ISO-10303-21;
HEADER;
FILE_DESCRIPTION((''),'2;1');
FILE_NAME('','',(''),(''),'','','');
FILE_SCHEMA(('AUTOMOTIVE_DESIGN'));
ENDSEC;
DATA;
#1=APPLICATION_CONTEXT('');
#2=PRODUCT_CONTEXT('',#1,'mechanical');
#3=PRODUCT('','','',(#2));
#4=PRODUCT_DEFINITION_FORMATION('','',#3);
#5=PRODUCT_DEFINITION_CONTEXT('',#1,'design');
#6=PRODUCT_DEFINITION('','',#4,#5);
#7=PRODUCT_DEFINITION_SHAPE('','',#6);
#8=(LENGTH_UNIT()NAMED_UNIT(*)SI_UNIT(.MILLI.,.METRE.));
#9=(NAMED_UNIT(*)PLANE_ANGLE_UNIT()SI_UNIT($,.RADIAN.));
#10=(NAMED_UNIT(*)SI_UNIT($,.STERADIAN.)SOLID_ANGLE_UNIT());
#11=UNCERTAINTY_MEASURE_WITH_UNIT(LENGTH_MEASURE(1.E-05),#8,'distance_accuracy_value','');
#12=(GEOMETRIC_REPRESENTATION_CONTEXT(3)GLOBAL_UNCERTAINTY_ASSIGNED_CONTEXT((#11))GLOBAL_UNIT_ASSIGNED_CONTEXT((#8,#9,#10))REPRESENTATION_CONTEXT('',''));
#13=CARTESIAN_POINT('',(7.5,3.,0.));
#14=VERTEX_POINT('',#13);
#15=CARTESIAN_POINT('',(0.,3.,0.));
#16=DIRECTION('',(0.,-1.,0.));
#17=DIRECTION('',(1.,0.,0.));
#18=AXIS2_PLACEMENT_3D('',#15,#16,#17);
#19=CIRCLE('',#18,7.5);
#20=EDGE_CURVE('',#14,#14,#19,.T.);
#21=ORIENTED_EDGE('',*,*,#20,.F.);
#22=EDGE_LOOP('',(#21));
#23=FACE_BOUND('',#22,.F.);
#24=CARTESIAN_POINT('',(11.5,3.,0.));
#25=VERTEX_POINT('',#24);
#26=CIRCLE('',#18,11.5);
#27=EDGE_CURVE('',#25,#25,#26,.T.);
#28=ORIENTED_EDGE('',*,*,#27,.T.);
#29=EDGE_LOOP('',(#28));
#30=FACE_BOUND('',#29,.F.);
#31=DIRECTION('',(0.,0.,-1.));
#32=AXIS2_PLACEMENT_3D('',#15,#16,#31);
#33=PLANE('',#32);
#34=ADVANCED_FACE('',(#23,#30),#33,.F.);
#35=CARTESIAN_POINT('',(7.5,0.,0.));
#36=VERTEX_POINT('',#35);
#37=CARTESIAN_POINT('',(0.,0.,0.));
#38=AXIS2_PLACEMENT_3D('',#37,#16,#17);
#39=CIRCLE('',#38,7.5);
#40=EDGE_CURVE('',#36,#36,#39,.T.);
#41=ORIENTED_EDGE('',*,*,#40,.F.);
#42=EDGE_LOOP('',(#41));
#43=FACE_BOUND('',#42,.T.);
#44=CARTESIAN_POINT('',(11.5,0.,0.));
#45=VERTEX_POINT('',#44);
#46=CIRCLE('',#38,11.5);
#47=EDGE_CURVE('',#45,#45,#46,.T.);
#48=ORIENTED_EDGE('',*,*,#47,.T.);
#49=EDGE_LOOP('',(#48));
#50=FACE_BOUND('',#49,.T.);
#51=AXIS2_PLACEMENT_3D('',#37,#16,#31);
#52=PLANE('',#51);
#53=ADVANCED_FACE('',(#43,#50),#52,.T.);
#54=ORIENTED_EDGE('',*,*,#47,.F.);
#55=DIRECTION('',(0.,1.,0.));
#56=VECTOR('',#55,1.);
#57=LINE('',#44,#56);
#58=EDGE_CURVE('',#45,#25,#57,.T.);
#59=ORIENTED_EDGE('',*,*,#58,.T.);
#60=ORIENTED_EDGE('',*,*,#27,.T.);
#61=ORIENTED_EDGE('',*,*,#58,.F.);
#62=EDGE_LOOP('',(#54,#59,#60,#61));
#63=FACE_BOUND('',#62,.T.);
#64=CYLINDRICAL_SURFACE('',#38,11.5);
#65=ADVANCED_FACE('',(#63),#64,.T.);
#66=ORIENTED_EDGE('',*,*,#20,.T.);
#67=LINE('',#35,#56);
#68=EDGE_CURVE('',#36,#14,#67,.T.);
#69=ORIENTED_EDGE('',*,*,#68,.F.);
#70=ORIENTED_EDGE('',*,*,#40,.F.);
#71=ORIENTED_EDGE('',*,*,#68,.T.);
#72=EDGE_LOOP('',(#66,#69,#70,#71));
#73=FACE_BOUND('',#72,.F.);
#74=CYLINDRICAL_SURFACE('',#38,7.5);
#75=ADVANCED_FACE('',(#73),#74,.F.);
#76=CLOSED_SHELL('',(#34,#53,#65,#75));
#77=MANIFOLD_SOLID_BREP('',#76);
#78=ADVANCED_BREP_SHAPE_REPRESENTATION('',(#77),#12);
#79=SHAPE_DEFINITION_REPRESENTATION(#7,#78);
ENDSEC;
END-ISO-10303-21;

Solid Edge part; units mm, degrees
sketch "Sketch1" plane through (0, 0, 0) normal (0, -1, 0) x (1, 0, 0)
  circle A0 centre (0, 0) radius 11.5
  circle A1 centre (0, 0) radius 7.5
extrude "Protrusion1" add sketch "Sketch1" against normal blind 3
properties material "Steel"
